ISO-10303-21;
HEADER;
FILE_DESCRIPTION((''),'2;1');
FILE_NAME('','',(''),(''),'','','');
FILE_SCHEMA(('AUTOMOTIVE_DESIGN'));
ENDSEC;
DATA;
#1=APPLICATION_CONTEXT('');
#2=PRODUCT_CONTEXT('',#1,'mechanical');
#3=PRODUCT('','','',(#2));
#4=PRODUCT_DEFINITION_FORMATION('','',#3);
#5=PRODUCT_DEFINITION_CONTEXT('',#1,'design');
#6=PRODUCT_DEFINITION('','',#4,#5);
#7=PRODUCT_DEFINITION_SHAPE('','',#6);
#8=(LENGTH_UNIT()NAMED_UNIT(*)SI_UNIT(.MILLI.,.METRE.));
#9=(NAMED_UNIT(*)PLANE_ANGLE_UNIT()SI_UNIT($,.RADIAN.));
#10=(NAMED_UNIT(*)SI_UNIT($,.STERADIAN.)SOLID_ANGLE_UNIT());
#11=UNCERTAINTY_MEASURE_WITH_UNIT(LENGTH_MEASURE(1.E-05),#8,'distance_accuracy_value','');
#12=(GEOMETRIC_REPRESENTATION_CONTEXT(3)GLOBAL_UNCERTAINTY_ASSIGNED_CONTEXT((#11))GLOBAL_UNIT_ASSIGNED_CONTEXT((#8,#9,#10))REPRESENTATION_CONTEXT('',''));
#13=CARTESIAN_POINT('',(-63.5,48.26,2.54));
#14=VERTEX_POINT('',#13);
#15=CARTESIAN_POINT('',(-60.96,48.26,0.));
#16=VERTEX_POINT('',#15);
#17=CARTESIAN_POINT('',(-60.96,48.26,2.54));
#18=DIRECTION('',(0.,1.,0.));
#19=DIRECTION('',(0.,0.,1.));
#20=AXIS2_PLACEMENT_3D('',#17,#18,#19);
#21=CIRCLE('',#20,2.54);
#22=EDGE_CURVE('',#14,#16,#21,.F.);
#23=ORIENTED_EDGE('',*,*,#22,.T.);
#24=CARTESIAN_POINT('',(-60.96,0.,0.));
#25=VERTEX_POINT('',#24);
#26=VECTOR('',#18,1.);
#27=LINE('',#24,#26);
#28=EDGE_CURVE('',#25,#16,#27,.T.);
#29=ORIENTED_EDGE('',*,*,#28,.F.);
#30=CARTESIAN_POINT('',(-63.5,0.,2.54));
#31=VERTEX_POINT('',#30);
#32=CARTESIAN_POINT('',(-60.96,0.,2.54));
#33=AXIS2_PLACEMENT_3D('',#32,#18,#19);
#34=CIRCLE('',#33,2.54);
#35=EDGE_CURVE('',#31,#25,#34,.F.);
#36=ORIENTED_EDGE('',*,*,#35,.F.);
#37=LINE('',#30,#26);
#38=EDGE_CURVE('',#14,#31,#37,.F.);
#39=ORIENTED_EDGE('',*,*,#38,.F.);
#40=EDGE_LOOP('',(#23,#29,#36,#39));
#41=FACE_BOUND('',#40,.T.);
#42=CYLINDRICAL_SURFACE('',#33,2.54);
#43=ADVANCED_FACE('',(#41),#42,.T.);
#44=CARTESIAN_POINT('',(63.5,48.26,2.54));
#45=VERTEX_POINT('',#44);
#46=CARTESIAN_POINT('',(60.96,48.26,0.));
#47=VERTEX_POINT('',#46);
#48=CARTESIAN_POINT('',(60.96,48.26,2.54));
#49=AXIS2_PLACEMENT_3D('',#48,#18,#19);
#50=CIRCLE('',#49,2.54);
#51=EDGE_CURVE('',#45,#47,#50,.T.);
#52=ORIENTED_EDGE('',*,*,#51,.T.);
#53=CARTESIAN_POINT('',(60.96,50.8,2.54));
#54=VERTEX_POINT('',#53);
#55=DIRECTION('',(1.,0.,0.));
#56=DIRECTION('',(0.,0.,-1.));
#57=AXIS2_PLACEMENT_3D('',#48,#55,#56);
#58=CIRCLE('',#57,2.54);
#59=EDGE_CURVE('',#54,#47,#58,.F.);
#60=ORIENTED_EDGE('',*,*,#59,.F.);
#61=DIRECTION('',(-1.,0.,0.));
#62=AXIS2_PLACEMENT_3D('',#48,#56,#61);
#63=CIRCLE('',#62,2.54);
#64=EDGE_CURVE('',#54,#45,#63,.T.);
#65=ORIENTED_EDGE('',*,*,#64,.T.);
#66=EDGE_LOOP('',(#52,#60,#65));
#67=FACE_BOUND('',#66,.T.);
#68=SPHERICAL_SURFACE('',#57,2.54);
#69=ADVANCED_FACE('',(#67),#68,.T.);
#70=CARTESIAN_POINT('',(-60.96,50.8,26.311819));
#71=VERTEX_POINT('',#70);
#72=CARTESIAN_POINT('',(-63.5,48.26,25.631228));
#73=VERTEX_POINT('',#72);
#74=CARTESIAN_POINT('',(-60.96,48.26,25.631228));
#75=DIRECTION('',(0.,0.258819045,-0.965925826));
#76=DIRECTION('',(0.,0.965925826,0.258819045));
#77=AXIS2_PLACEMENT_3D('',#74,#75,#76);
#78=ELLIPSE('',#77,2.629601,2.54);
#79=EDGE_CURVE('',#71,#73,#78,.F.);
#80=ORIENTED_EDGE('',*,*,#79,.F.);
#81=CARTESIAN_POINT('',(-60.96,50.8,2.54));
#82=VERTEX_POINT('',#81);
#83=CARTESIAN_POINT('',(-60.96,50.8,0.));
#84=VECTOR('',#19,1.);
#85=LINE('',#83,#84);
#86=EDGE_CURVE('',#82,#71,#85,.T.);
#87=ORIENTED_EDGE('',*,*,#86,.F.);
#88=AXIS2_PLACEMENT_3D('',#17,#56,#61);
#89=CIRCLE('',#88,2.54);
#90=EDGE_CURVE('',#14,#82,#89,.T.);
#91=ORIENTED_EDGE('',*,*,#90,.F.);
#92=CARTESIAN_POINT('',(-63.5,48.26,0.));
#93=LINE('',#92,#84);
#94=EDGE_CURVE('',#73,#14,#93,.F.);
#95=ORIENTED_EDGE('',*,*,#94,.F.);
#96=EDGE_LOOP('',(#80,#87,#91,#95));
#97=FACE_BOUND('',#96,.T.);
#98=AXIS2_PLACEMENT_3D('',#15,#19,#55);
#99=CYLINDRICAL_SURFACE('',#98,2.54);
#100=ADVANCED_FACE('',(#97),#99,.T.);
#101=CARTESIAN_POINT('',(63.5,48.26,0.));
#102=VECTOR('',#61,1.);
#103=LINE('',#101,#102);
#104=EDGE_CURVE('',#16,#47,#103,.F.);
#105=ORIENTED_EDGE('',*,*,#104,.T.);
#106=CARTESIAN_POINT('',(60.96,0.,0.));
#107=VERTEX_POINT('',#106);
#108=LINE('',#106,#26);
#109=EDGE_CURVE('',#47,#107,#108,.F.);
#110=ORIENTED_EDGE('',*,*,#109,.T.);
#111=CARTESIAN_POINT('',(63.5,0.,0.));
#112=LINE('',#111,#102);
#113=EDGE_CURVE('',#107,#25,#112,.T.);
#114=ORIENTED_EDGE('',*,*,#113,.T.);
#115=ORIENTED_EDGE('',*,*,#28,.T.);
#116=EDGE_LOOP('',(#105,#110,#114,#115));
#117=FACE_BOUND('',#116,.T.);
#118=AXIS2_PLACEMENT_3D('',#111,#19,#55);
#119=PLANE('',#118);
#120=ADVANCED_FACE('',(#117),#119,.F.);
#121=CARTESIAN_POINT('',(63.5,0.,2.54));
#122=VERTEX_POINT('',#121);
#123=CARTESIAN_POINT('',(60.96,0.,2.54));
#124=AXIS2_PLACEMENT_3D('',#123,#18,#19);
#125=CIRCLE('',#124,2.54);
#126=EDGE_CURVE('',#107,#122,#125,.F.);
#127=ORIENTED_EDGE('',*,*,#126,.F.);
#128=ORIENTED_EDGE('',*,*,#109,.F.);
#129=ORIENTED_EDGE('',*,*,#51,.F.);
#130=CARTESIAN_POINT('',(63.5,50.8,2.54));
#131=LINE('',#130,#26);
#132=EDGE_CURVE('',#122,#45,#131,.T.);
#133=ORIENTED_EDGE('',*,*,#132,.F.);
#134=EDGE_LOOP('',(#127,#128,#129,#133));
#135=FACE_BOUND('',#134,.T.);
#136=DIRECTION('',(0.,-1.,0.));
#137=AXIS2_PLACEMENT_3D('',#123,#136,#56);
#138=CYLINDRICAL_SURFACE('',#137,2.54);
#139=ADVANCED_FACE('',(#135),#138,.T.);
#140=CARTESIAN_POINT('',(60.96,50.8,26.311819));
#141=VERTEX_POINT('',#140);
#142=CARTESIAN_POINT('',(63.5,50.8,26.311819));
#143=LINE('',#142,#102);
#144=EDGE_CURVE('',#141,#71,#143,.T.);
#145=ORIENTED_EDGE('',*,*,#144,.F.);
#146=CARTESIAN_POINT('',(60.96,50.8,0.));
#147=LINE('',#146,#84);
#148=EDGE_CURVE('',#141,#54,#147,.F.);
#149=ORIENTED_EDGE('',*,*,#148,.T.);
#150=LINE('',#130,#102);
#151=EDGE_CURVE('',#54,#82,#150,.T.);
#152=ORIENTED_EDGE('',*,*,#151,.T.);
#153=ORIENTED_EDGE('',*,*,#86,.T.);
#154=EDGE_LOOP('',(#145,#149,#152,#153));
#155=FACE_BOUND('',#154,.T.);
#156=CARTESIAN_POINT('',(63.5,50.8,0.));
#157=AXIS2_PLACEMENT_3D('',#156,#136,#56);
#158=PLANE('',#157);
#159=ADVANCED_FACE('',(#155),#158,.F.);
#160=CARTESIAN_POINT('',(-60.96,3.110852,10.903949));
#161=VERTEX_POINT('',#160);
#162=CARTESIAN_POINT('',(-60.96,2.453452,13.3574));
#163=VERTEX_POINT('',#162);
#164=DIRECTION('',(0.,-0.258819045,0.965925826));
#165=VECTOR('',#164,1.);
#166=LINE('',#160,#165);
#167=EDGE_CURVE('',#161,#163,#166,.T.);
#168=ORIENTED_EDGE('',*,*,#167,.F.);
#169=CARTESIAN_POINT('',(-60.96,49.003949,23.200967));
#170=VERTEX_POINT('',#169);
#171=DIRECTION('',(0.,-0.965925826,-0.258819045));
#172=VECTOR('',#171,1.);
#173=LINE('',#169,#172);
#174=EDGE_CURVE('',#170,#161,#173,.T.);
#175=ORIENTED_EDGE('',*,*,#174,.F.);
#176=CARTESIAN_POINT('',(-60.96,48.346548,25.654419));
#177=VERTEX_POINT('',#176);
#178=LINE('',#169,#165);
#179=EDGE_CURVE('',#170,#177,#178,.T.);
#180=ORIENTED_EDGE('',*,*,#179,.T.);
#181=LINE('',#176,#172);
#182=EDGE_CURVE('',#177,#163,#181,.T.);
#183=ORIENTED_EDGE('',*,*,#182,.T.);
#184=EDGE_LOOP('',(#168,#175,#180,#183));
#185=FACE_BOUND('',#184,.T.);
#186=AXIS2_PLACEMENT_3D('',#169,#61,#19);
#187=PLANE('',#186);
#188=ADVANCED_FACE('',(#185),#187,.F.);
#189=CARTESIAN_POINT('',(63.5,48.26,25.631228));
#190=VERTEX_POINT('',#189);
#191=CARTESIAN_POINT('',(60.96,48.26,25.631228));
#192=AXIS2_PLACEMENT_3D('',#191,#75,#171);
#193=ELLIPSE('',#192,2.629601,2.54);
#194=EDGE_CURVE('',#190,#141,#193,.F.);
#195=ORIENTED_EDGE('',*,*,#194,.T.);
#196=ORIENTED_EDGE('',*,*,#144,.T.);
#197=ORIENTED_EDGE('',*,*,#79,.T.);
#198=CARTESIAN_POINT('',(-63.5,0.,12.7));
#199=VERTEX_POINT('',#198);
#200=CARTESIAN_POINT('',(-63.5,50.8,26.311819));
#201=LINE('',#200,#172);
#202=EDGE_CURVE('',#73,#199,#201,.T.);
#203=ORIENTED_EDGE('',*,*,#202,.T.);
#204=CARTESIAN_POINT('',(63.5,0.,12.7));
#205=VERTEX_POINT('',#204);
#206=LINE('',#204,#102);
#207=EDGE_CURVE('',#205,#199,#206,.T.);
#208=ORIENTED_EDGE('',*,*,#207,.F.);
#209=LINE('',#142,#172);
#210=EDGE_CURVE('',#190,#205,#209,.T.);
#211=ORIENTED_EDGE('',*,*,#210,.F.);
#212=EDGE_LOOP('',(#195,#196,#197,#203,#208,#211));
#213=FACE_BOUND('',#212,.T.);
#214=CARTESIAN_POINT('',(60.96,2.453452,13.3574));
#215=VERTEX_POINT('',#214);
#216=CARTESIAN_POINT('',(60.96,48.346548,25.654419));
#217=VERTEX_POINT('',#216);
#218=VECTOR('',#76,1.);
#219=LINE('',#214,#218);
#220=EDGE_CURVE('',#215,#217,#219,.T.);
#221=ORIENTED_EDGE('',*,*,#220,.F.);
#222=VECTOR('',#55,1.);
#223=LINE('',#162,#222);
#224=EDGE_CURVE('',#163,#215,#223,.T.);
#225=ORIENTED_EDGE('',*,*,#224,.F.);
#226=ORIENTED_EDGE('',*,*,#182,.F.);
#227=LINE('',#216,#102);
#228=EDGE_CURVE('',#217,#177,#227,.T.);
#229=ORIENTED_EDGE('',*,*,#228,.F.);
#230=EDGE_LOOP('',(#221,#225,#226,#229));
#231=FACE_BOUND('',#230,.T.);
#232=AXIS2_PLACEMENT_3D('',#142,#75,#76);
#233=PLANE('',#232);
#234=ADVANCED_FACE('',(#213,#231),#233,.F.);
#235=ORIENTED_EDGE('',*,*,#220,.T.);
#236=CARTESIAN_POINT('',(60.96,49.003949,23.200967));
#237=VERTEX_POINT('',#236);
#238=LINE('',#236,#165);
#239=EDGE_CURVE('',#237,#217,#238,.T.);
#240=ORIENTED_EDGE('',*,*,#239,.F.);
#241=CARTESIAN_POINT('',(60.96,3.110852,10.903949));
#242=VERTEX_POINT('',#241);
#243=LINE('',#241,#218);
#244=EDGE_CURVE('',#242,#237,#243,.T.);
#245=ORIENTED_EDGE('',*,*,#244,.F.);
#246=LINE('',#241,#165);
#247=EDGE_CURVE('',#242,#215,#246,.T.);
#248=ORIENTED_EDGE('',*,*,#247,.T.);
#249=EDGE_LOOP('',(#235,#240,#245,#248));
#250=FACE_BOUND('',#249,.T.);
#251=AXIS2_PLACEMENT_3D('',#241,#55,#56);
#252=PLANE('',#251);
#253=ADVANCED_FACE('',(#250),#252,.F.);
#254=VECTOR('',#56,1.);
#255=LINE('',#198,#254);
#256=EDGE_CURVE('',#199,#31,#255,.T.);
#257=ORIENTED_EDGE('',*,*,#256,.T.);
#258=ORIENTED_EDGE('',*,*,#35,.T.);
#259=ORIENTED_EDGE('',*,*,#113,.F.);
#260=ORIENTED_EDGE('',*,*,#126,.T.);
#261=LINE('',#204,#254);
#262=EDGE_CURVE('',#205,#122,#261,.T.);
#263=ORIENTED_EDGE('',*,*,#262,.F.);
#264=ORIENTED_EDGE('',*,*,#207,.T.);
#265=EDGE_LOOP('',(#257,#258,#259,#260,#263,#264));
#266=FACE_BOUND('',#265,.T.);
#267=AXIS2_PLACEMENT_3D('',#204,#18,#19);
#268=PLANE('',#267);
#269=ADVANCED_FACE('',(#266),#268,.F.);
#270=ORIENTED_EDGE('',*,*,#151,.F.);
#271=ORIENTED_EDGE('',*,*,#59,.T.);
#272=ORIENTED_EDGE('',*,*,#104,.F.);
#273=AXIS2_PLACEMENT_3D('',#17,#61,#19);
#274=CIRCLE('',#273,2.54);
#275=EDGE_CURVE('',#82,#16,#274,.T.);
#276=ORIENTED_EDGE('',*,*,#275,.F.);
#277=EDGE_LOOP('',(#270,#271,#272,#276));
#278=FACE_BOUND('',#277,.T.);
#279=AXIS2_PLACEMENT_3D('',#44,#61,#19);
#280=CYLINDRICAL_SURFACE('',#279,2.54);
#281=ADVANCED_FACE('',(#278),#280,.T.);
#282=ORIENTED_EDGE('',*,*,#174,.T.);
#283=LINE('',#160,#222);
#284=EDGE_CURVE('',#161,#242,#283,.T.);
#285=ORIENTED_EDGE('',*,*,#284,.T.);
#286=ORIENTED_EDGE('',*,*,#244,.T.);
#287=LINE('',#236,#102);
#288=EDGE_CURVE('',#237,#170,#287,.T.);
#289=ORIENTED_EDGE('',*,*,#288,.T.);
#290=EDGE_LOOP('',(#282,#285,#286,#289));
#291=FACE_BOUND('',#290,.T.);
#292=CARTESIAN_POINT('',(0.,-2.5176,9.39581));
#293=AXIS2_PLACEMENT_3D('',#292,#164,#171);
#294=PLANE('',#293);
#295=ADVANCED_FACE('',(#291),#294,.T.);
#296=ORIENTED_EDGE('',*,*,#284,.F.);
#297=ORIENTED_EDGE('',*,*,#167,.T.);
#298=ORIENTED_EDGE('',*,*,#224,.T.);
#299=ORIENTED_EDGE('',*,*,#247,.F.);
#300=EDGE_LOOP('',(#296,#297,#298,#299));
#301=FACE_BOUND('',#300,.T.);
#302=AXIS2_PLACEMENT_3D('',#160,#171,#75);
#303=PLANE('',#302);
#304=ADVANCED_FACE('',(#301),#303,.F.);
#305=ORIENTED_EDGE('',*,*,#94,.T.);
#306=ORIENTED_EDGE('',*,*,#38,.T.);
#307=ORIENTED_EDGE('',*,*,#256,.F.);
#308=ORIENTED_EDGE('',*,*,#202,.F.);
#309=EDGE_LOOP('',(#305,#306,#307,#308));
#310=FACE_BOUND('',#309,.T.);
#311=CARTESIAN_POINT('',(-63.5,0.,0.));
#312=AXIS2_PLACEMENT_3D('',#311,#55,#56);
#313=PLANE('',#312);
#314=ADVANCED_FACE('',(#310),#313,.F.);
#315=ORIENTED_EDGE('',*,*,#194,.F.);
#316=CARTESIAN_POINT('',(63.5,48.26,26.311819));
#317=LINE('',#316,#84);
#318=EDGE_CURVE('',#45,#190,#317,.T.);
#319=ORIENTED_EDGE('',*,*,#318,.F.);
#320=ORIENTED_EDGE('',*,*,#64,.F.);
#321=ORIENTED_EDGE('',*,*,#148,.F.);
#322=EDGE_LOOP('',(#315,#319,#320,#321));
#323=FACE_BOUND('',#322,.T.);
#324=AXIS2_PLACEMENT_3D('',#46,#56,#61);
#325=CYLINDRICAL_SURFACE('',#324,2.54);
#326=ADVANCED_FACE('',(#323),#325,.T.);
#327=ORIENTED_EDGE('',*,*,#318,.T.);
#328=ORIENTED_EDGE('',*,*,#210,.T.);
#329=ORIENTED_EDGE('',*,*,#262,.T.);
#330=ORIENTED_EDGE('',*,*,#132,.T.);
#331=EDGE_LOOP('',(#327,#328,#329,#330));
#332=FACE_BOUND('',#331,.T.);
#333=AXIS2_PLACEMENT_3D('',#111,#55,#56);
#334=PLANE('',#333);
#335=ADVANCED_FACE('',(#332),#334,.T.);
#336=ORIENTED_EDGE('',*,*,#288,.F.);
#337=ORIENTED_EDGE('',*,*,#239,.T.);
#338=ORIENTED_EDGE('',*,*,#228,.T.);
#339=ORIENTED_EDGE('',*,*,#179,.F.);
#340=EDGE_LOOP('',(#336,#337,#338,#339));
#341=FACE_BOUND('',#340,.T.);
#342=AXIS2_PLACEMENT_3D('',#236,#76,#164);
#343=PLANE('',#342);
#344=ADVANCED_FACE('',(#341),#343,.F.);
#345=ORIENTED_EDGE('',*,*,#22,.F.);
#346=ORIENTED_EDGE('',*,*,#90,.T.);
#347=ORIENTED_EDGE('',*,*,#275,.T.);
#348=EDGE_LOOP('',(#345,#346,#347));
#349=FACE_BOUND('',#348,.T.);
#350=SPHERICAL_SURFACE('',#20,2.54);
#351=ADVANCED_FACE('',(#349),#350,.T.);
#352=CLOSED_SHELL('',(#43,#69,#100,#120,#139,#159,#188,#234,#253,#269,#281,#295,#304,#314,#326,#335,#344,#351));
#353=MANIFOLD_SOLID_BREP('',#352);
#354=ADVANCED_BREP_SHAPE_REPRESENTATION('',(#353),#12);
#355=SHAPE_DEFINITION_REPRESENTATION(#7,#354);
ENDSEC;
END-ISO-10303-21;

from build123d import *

# Parameters (mm, degrees)
BOSS_EXTRUDE1_DEPTH = 63.5
SKETCH2_W           = 121.92
SKETCH2_H           = 47.512029965
CUT_EXTRUDE1_DEPTH  = 2.54
FILLET1_R           = 2.54


with BuildPart() as part:
    # Sketch1 → Boss-Extrude1 (new body, symmetric)
    with BuildSketch(Plane(origin=(0, 0, 0), x_dir=(0, 0, -1), z_dir=(1, 0, 0))):
        Polygon((0, 0), (0, 50.8), (-26.311818976, 50.8), (-12.7, 0), align=None)
    extrude(amount=BOSS_EXTRUDE1_DEPTH, both=True)

    # Sketch2 → Cut-Extrude1 (cut)
    with BuildSketch(Plane(origin=(0, -3.175, 11.849261314), x_dir=(1, 0, 0), z_dir=(0, -0.258819045, 0.965925826))):
        with Locations((0, 29.583016856)):
            Rectangle(SKETCH2_W, SKETCH2_H)
    extrude(amount=-CUT_EXTRUDE1_DEPTH, mode=Mode.SUBTRACT)

    # Fillet1
    fillet1_edges = [part.edges().sort_by_distance(p)[0] for p in [
        (63.5, 50.8, 13.155909488),
        (-63.5, 50.8, 13.155909488),
        (-63.5, 25.4, 0),
        (0, 50.8, 0),
        (63.5, 25.4, 0),
    ]]
    fillet(fillet1_edges, radius=FILLET1_R)


solid = part.part
